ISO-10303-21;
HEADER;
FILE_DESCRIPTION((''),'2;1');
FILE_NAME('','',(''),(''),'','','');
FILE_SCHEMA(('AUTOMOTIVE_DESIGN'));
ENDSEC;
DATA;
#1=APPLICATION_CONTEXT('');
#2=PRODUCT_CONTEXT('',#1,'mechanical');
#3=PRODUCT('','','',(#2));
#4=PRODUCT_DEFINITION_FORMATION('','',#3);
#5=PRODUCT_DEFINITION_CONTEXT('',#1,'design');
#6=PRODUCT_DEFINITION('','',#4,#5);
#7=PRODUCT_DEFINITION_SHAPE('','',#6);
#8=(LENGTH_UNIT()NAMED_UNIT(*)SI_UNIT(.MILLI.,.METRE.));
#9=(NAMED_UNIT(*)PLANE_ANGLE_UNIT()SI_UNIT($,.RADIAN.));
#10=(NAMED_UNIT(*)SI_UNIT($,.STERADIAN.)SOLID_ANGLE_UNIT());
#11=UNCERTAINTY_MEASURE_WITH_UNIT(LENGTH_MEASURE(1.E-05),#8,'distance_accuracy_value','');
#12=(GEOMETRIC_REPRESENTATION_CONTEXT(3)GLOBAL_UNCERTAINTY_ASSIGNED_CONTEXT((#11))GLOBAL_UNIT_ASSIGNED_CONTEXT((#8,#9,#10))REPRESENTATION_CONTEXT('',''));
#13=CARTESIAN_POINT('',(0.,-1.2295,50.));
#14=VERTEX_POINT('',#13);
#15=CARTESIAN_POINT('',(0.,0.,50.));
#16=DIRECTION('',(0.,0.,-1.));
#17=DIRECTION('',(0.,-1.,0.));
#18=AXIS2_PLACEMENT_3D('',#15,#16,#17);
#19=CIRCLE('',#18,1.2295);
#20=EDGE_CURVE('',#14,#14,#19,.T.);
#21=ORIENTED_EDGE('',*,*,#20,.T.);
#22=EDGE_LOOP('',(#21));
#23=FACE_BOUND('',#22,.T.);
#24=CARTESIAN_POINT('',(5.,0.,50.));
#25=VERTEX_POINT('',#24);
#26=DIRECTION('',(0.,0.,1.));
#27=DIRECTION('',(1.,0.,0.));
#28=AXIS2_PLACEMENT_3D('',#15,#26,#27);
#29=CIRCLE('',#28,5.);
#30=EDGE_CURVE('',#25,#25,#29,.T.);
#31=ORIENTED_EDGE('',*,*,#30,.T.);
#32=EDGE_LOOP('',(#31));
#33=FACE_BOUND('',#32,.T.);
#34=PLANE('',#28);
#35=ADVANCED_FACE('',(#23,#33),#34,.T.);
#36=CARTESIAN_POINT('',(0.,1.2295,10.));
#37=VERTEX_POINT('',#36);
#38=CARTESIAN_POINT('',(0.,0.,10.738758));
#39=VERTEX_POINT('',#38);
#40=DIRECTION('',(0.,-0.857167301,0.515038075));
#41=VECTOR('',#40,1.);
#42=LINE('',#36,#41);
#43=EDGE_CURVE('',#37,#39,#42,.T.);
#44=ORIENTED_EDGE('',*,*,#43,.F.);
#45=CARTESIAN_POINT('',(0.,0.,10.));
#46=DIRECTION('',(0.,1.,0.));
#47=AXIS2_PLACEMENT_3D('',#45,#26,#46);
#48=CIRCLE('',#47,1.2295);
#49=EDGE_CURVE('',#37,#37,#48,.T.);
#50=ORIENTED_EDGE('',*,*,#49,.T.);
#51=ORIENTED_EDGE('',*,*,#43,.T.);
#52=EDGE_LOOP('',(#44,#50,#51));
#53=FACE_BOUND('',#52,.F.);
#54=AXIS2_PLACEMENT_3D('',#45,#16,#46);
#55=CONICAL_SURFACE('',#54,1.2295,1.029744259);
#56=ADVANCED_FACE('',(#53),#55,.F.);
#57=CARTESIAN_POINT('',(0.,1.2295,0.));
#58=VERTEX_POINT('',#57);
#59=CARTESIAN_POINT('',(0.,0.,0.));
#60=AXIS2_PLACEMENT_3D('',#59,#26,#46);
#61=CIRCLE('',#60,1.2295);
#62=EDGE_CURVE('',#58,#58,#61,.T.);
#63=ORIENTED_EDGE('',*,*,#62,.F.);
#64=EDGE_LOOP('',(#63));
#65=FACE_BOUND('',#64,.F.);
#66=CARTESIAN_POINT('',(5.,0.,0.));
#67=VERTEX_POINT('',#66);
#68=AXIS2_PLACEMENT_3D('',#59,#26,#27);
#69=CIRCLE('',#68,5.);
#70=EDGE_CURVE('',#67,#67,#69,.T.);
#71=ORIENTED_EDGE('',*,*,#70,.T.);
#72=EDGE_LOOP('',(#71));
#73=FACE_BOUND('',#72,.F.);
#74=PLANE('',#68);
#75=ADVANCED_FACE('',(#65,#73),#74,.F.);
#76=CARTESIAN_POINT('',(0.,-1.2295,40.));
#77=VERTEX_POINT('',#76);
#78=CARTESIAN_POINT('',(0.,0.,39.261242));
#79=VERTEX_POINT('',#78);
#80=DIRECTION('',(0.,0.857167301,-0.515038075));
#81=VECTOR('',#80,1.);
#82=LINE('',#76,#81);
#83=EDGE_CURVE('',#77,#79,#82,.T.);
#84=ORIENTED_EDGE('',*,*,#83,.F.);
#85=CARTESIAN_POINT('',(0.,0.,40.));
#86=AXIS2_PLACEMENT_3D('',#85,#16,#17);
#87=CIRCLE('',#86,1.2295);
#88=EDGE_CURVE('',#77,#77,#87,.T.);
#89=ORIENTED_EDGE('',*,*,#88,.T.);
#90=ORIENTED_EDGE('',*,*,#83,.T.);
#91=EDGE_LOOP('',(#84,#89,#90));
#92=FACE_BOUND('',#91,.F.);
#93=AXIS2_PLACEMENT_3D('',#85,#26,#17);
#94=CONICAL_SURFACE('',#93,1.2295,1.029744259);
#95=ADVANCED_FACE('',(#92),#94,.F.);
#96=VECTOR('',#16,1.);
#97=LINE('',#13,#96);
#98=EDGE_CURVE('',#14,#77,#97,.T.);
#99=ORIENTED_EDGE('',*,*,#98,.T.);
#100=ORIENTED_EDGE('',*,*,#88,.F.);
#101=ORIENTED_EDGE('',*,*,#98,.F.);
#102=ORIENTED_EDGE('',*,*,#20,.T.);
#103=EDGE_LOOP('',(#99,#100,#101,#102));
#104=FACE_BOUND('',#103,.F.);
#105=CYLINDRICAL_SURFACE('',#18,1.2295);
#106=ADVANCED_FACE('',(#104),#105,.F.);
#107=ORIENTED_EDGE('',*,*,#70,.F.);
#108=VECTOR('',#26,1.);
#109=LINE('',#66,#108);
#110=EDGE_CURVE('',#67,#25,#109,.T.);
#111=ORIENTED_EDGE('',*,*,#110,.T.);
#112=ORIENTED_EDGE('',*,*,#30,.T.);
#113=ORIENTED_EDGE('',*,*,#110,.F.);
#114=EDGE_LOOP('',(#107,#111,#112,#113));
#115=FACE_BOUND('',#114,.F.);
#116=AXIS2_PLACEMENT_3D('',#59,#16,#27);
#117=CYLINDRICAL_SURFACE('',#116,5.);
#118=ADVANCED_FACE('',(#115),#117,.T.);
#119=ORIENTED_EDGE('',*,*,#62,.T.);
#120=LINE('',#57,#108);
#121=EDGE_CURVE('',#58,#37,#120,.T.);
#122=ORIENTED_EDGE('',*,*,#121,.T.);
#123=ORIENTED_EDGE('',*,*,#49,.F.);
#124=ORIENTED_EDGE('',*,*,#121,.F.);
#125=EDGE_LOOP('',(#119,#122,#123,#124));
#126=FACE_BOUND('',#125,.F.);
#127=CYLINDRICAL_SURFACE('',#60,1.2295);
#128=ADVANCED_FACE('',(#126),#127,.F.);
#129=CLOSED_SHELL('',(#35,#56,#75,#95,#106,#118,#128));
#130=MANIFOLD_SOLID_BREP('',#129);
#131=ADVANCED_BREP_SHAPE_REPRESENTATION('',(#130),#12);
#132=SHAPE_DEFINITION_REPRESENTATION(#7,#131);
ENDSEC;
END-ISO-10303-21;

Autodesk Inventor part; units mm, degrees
ref_plane "YZ Plane" through (0, 0, 0) normal (1, 0, 0) x (0, 1, 0)
ref_plane "XZ Plane" through (0, 0, 0) normal (0, 1, 0) x (-1, 0, 0)
ref_plane "XY Plane" through (0, 0, 0) normal (0, 0, 1) x (1, 0, 0)
sketch "Sketch1" plane through (0, 0, 0) normal (0, 0, 1) x (1, 0, 0)
  circle A0 centre (0, 0) radius 5
  dimension "d0" = 10
extrude "Extrusion1" add sketch "Sketch1" along normal blind 50
sketch "Sketch2" plane through (0, 0, 50) normal (0, 0, 1) x (1, 0, 0)
  point P0 (0, 0)
  point P1 (0, 0)
sketch "Sketch3" plane through (0, 0, 0) normal (0, 0, -1) x (-1, 0, 0)
  point P0 (0, 0)
  point P1 (0, 0)
hole "Hole1" at (0, 0, 0) direction (0, 0, 1) diameter 2.459 depth 10 tip angle 118 thread size "M3x0.5" class "6H" standard "ANSI Metric M Profile"
hole "Hole2" at (0, 0, 50) direction (0, 0, -1) diameter 2.459 depth 10 tip angle 118 thread size "M3x0.5" class "6H" standard "ANSI Metric M Profile"
properties part number "SheetConnector"
